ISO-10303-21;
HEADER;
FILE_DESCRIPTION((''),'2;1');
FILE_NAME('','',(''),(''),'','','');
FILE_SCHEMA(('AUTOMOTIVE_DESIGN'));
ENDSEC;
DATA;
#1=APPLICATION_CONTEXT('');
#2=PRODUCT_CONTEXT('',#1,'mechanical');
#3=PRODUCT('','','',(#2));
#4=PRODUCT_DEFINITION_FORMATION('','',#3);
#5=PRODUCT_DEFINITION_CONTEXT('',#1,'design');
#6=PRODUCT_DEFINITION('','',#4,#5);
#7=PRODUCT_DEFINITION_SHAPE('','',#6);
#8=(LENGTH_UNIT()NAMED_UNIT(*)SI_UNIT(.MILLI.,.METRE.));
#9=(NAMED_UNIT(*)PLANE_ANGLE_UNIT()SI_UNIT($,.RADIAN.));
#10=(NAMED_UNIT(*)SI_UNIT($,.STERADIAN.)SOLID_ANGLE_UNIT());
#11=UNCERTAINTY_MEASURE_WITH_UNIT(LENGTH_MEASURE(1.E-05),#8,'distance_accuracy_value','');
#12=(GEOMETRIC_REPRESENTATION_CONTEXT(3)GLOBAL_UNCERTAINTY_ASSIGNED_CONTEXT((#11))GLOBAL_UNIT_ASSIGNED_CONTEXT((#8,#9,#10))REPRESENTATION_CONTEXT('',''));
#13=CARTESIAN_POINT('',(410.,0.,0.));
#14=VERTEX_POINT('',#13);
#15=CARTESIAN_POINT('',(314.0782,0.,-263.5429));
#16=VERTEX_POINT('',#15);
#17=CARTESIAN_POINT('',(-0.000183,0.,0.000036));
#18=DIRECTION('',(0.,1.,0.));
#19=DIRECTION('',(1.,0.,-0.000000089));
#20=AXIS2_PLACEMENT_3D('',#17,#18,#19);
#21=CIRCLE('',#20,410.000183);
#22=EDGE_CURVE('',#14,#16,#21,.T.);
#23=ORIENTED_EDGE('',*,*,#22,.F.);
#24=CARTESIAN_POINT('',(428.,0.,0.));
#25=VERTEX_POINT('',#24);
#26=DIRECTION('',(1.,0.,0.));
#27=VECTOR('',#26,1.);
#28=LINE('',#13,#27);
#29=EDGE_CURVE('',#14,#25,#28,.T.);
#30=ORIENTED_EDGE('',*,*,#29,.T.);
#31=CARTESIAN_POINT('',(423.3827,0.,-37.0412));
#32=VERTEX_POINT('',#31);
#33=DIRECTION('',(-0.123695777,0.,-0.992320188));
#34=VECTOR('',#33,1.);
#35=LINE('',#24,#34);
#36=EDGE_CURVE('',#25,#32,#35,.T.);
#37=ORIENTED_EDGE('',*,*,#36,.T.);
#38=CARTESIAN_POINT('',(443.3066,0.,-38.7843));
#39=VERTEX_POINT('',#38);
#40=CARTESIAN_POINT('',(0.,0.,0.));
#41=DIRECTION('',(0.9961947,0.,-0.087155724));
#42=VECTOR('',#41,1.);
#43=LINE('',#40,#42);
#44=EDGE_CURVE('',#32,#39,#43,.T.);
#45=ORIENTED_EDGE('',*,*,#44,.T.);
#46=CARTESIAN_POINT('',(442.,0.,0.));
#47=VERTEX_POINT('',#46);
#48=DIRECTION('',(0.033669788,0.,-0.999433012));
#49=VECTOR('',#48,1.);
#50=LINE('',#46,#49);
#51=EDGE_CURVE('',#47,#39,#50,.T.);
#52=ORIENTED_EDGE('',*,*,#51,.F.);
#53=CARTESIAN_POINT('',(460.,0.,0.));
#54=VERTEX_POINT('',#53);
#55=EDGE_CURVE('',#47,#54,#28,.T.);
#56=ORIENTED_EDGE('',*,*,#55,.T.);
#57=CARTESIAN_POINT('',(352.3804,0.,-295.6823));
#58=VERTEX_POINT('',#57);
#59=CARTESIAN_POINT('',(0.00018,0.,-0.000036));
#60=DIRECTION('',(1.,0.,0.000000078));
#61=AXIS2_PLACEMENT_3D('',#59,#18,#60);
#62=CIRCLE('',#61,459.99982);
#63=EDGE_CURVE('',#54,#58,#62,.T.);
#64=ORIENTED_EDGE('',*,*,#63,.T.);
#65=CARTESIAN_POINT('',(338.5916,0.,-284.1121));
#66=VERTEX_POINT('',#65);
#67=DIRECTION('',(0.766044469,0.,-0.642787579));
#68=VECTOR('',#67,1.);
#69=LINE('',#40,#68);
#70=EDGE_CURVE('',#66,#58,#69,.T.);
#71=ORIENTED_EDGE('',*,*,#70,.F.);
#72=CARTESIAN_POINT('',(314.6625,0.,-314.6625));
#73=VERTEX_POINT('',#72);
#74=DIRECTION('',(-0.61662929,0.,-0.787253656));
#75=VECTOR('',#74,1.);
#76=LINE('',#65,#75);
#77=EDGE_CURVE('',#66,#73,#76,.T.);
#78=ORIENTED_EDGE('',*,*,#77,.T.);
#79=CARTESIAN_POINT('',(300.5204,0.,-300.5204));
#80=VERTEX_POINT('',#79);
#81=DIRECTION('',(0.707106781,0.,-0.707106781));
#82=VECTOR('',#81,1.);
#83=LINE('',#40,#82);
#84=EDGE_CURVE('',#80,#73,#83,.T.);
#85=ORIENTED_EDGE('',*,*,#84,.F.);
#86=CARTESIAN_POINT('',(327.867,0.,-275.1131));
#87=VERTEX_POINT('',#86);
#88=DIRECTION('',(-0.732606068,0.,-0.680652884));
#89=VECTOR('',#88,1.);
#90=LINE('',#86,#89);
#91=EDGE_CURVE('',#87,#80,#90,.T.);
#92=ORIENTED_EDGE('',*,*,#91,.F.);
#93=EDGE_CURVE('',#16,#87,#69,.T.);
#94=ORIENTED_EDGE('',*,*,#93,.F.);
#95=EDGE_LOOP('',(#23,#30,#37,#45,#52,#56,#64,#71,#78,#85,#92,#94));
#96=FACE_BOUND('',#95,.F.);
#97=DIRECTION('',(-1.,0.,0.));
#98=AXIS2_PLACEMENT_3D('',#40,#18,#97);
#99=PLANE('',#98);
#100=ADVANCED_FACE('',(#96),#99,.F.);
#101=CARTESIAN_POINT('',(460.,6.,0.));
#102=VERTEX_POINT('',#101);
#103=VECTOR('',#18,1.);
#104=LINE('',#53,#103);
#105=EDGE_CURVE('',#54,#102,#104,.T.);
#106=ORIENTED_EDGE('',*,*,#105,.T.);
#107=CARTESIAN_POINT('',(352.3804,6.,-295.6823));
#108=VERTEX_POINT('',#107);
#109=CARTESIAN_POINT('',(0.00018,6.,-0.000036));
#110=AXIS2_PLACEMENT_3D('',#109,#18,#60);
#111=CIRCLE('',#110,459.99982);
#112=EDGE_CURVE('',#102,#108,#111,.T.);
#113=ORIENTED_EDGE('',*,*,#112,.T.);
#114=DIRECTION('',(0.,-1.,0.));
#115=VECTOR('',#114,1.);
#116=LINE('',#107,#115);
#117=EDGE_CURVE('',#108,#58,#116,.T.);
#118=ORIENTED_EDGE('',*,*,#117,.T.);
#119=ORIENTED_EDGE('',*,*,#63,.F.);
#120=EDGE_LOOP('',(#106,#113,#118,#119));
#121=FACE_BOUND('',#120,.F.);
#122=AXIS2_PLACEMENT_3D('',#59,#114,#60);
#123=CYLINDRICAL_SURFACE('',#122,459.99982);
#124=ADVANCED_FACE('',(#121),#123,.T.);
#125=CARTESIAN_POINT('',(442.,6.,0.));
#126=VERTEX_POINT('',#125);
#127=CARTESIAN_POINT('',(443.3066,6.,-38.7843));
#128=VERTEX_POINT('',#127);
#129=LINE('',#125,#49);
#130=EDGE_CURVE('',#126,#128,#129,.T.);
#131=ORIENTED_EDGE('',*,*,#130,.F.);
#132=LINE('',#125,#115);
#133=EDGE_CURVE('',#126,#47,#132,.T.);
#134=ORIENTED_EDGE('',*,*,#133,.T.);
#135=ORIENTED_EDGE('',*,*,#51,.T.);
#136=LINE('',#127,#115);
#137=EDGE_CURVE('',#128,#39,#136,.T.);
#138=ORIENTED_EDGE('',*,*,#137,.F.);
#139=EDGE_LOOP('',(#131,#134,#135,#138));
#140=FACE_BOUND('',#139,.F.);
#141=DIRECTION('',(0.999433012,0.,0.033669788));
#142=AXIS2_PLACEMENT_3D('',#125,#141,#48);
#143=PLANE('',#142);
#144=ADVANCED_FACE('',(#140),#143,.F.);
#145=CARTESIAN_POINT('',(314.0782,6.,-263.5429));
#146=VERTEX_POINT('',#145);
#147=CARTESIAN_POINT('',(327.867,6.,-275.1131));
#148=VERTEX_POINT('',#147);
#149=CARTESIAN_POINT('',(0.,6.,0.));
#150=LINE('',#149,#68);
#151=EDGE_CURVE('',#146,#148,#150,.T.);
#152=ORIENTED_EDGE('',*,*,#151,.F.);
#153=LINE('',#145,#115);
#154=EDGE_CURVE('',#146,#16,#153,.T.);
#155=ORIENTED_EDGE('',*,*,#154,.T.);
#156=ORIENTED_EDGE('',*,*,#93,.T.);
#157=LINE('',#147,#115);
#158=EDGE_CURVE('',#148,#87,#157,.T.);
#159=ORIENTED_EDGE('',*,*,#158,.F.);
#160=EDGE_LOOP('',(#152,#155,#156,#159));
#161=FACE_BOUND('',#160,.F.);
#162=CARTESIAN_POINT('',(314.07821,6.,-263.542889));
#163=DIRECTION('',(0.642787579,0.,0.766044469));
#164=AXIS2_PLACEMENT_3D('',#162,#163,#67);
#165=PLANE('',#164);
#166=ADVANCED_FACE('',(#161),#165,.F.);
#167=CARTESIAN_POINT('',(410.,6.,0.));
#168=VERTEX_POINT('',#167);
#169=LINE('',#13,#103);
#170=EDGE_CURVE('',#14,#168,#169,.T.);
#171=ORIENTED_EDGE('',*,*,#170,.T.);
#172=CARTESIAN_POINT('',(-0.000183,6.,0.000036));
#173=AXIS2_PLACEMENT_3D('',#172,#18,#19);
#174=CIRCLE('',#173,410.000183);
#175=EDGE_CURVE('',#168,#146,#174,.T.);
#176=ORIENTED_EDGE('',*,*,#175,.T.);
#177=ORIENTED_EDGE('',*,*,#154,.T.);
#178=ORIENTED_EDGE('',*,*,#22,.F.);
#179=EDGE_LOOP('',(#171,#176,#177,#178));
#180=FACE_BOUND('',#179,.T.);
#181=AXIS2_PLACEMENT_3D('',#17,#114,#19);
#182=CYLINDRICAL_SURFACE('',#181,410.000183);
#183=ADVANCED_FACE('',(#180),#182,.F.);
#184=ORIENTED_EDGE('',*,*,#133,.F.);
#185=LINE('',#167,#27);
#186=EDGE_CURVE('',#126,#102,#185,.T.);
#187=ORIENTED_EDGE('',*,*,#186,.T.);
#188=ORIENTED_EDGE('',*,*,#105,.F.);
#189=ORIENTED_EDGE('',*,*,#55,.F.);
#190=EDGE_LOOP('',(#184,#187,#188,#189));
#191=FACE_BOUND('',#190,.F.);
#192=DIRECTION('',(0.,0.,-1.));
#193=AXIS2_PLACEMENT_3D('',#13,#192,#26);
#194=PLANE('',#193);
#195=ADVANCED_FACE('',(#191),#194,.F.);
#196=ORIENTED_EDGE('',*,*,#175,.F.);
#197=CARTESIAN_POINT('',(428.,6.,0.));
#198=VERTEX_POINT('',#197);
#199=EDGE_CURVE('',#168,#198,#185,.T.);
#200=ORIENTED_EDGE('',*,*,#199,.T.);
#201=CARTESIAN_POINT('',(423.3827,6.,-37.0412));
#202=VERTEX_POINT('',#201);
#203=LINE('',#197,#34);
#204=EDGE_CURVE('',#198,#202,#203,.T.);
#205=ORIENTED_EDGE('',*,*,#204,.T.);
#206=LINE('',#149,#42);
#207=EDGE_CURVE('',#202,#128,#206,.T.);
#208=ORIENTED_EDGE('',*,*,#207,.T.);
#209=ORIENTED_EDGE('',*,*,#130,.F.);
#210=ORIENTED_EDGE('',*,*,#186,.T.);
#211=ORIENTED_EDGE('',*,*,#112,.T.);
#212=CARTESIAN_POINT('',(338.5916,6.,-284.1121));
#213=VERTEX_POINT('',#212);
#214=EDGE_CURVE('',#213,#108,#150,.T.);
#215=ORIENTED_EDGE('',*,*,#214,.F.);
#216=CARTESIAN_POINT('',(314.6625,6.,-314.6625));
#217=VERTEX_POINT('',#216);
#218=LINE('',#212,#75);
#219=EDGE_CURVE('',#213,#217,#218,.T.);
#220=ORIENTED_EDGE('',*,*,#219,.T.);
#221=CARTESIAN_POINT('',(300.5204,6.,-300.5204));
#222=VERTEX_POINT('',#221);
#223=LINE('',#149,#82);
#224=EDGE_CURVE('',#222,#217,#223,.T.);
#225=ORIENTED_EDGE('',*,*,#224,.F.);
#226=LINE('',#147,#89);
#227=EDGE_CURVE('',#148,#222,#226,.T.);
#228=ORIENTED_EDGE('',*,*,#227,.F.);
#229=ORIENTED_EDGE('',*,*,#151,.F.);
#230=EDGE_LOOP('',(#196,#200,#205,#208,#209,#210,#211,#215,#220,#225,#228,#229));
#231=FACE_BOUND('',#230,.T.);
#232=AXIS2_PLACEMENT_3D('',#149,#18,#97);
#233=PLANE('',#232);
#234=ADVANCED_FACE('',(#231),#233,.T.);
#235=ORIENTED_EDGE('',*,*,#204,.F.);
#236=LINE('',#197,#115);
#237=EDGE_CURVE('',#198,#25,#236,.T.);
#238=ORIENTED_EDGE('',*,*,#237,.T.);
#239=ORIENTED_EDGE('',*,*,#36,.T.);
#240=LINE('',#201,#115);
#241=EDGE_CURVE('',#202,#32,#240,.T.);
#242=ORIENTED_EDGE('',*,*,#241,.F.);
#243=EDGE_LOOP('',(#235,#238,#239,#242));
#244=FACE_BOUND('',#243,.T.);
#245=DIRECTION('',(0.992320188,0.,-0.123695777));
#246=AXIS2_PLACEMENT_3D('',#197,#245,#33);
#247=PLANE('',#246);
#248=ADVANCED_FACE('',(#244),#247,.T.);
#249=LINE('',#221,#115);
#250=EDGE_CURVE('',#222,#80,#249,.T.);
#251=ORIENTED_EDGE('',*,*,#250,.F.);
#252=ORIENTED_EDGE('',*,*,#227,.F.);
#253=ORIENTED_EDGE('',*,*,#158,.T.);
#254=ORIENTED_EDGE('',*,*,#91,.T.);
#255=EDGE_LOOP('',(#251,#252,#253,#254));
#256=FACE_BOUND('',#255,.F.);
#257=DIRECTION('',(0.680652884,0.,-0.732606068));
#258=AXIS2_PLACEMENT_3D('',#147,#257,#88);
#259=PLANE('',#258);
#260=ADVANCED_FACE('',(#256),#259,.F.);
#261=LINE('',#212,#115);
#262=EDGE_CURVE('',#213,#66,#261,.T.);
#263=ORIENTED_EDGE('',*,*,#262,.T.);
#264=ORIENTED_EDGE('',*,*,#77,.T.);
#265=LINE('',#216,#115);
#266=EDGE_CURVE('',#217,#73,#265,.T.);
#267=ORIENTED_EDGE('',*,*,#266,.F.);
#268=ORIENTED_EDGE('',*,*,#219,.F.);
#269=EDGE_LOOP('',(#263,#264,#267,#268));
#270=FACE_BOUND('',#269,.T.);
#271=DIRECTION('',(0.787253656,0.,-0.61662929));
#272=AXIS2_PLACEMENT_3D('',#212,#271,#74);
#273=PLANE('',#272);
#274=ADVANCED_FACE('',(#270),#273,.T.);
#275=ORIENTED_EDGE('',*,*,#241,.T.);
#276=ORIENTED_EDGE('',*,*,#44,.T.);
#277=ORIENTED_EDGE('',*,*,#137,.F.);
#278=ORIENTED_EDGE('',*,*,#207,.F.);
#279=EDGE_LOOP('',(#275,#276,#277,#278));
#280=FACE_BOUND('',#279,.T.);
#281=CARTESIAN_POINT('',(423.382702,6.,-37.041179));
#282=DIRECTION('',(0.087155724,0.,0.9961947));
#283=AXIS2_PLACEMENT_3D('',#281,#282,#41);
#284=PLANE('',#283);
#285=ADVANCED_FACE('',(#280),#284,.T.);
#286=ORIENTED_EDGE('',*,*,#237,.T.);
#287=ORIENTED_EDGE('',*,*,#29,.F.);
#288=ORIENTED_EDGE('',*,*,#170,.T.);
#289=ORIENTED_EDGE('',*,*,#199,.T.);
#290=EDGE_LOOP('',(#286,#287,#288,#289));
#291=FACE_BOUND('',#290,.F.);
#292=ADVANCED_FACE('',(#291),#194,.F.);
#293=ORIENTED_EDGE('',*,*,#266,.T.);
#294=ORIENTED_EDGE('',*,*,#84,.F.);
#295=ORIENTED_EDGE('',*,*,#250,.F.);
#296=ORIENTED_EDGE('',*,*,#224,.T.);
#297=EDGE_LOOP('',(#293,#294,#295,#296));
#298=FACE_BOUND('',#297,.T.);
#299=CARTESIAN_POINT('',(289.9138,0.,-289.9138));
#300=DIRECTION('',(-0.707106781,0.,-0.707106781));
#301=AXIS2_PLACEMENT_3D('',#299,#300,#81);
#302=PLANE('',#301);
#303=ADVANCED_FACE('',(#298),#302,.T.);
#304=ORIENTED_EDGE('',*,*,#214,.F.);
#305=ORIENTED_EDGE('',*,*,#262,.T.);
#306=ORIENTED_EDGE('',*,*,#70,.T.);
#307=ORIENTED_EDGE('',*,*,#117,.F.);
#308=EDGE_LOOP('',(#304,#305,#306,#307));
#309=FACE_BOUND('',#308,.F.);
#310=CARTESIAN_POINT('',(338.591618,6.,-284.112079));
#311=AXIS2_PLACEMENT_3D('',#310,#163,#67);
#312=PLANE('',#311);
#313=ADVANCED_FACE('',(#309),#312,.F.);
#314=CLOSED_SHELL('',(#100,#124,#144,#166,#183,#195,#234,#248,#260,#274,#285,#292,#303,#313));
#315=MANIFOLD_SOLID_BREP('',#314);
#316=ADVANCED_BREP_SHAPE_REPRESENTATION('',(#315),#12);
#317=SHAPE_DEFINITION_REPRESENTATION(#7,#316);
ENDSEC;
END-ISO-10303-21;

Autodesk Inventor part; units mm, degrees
ref_plane "YZ Plane" through (0, 0, 0) normal (1, 0, 0) x (0, 1, 0)
ref_plane "XZ Plane" through (0, 0, 0) normal (0, 1, 0) x (-1, 0, 0)
ref_plane "XY Plane" through (0, 0, 0) normal (0, 0, 1) x (1, 0, 0)
sketch "Esboço1" plane through (0, 0, 0) normal (0, 1, 0) x (-1, 0, 0)
  arc A0 (-410, 0) -> (-289.9138, -289.9138) centre (0, 0) ccw
  arc A1 (-460, 0) -> (-325.2691, -325.2691) centre (0, 0) ccw
  circle A2 centre (0, 0) radius 460
  circle A3 centre (0, 0) radius 410
  line L0 (0, 0) -> (-407.9373, -407.9373)
  line L1 (0, 0) -> (-1224.3013, 0) construction
  line L2 (-410, 0) -> (-460, 0)
  point P0 (-460, 0)
  point P1 (-325.2691, -325.2691)
  point P2 (-289.9138, -289.9138)
  dimension "d27" = 820
  dimension "d28" = 920
  dimension "d87" = 45
extrude "Extrusão1" add sketch "Esboço1" along normal blind 6 contours A0 L0 A1 L2
sketch "Esboço6" plane through (0, 6, 0) normal (0, 1, 0) x (1, 0, 0)
  arc A0 (460, 0) -> (325.2691, 325.2691) centre (0, 0) ccw projected
  circle A1 centre (0, 0) radius 460
  arc A2 (410, 0) -> (289.9138, 289.9138) centre (0, 0) ccw projected
  circle A3 centre (0, 0) radius 410
  line L0 (0, 0) -> (743.005, 65.0045)
  line L1 (410, 0) -> (460, 0) projected
  line L2 (410, 0) -> (428, 0)
  line L3 (428, 0) -> (442, 0)
  line L4 (408.4398, 35.7339) -> (423.3827, 37.0412)
  line L5 (423.3827, 37.0412) -> (443.3066, 38.7843)
  line L6 (428, 0) -> (423.3827, 37.0412)
  line L7 (442, 0) -> (443.3066, 38.7843)
  dimension "d110" = -5
  dimension "d111" = 18
  dimension "d112" = 14
  dimension "d113" = 15
  dimension "d114" = 20
extrude "Extrusão6" cut sketch "Esboço6" against normal up to surface (6 mm away) contours L1 L6 L0 L7
sketch "Esboço8" plane through (0, 6, 0) normal (0, 1, 0) x (1, 0, 0)
  arc A0 (325.2691, 325.2691) -> (352.3804, 295.6823) centre (0, 0) ccw
  arc A1 (289.9138, 289.9138) -> (314.0782, 263.5429) centre (0, 0) ccw
  line L0 (0, 0) -> (489.696, 410.9037)
  line L1 (325.2691, 325.2691) -> (289.9138, 289.9138) projected
  line L2 (325.2691, 325.2691) -> (314.6625, 314.6625)
  line L3 (314.6625, 314.6625) -> (300.5204, 300.5204)
  line L4 (352.3804, 295.6823) -> (338.5916, 284.1121)
  line L5 (338.5916, 284.1121) -> (327.867, 275.1131)
  line L6 (327.867, 275.1131) -> (300.5204, 300.5204)
  line L7 (338.5916, 284.1121) -> (314.6625, 314.6625)
  circle A2 centre (0, 0) radius 460
  circle A3 centre (0, 0) radius 410
  point P0 (314.0782, 263.5429)
  point P1 (352.3804, 295.6823)
  point P2 (325.2691, 325.2691)
  dimension "d130" = -5
  dimension "d131" = 15
  dimension "d132" = 20
  dimension "d133" = 18
  dimension "d134" = 14
extrude "Extrusão7" cut sketch "Esboço8" against normal up to surface (6 mm away) contours A2 L0 L7 L1 | L6 L0 A3 L1
equation "\"Raio_vergadura\" = Espessura"
equation "\"Largura_alívio_de_vergadura\" = Espessura"
equation "\"Profundidade_alívio_de_vergadura\" = 0.5 * Espessura"
equation "\"Tamanho_alívio_de_dobra\" = 4 * Espessura"
equation "\"Remanescente_mínimo\" = 2 * Espessura"
equation "\"Raiodetransição\" = Raio_vergadura"
equation "\"Tamanho_de_raio_de_Jacobi\" = Raio_vergadura"
equation "\"TamanhoFolga\" = Espessura"
equation "\"Espessura\" = 3.048"
properties part number "base"
